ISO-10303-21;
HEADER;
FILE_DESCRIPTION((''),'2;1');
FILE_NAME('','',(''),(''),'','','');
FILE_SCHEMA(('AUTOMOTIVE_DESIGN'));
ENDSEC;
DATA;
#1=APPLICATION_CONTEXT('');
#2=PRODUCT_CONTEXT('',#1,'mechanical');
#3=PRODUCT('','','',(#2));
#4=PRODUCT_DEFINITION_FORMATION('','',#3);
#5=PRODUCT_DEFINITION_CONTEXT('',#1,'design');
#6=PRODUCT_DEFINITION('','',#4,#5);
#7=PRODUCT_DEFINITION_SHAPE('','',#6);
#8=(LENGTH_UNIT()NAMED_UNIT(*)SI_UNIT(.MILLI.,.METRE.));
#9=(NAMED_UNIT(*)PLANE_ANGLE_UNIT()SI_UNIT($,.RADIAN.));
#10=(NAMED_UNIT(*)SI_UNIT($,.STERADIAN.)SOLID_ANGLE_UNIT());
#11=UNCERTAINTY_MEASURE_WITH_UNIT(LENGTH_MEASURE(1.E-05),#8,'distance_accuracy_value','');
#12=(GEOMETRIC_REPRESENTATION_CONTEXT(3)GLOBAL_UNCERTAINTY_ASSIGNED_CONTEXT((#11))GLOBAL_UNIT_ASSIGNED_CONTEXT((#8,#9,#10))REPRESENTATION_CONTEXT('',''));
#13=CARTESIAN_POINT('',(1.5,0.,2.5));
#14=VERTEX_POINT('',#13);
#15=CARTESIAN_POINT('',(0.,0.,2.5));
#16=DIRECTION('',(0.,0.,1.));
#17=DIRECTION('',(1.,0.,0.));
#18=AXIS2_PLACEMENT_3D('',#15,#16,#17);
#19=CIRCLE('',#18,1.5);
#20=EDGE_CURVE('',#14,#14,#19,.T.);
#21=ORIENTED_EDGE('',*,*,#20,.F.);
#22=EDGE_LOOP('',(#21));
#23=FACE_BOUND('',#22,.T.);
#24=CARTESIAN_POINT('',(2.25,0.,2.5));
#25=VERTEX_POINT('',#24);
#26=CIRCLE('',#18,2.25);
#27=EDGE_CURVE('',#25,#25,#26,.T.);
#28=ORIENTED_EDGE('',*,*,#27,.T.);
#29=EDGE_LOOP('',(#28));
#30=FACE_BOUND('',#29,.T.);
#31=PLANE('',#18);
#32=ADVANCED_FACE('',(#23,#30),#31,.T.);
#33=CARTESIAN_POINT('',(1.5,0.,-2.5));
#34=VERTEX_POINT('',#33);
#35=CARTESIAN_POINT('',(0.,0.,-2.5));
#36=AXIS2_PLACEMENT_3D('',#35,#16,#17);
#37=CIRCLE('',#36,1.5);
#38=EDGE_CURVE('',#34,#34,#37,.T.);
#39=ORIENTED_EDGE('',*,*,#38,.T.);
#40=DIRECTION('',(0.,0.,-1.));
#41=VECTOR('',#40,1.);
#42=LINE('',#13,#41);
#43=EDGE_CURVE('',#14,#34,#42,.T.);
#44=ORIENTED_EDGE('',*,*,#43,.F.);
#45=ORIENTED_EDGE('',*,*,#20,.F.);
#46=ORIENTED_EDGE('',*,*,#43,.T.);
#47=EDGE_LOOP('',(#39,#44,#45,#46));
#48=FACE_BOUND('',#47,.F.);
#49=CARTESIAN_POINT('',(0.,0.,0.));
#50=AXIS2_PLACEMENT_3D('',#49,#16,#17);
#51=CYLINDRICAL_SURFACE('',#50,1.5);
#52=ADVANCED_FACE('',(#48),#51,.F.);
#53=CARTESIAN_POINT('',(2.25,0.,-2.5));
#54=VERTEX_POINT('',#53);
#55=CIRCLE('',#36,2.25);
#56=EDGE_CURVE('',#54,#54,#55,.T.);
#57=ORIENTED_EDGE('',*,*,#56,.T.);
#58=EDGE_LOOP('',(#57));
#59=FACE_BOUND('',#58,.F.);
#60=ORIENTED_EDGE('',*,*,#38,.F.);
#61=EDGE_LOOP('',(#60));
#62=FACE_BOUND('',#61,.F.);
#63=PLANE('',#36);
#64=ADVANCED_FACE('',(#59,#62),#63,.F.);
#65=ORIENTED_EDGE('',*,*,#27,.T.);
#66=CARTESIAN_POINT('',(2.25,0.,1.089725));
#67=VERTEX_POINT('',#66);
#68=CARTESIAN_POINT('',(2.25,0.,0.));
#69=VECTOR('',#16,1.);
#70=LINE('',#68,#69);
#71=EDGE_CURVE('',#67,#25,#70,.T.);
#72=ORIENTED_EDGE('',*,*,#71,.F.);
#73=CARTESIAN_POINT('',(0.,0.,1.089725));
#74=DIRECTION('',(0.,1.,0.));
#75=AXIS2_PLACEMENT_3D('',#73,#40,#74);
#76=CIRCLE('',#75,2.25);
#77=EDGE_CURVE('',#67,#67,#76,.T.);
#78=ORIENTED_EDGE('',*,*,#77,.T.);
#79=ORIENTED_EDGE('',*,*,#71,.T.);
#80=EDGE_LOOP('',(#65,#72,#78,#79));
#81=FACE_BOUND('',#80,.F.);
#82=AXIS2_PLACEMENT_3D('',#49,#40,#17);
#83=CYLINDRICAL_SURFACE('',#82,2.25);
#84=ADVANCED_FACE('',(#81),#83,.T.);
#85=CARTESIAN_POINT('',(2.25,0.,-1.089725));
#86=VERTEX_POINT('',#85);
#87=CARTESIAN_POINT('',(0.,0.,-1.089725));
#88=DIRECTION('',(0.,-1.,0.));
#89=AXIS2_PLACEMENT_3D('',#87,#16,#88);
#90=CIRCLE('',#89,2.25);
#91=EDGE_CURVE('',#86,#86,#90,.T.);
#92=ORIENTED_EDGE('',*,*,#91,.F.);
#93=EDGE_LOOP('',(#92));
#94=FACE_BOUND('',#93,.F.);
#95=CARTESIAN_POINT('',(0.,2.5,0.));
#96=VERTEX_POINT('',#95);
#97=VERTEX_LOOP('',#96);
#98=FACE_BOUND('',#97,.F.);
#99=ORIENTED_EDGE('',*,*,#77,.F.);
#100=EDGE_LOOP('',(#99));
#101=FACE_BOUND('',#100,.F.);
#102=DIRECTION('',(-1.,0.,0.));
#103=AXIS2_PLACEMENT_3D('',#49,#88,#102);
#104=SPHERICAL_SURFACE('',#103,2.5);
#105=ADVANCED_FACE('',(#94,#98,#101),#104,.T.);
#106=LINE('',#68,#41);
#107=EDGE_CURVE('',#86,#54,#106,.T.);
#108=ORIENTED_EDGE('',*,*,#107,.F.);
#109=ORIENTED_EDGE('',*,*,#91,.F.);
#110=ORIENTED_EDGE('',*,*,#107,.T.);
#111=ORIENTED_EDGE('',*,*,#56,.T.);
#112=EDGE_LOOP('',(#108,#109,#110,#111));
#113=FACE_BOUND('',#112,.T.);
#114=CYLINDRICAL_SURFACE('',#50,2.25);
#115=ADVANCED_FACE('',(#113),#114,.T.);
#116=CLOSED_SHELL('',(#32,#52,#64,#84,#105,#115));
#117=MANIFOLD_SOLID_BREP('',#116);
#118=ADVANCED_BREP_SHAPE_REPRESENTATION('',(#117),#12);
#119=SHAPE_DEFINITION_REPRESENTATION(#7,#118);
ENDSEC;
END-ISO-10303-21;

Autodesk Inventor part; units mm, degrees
ref_plane "YZ Plane" through (0, 0, 0) normal (1, 0, 0) x (0, 1, 0)
ref_plane "XZ Plane" through (0, 0, 0) normal (0, 1, 0) x (-1, 0, 0)
ref_plane "XY Plane" through (0, 0, 0) normal (0, 0, 1) x (1, 0, 0)
sketch "スケッチ1" plane through (0, 0, 0) normal (0, 0, 1) x (1, 0, 0)
  line L0 (0, 0) -> (0, 2.5)
  line L1 (0, 0) -> (0, -2.5)
  arc A0 (0, 2.5) -> (0, -2.5) centre (0, 0) ccw
  dimension "d0" = 2.5
  dimension "d1" = 2.5
  dimension "d2" = 2.5
revolve "回転1" add sketch "スケッチ1" angle 360 about axis through (0, 0, 0) along (0, 1, 0)
sketch "スケッチ2" plane through (0, 0, 0) normal (0, 0, 1) x (1, 0, 0)
  circle A0 centre (0, 0) radius 1.5
  circle A1 centre (0, 0) radius 2.25
  dimension "d4" = 3
  dimension "d5" = 4.5
extrude "押し出し1" add sketch "スケッチ2" along normal mid plane 5
sketch "スケッチ3" plane through (0, 0, 0) normal (0, 0, 1) x (1, 0, 0)
  circle A0 centre (0, 0) radius 1.5
extrude "押し出し2" cut sketch "スケッチ3" along normal mid plane 5
properties part number "タミヤダンパー部品8.1" material "アセタール樹脂、黒"
